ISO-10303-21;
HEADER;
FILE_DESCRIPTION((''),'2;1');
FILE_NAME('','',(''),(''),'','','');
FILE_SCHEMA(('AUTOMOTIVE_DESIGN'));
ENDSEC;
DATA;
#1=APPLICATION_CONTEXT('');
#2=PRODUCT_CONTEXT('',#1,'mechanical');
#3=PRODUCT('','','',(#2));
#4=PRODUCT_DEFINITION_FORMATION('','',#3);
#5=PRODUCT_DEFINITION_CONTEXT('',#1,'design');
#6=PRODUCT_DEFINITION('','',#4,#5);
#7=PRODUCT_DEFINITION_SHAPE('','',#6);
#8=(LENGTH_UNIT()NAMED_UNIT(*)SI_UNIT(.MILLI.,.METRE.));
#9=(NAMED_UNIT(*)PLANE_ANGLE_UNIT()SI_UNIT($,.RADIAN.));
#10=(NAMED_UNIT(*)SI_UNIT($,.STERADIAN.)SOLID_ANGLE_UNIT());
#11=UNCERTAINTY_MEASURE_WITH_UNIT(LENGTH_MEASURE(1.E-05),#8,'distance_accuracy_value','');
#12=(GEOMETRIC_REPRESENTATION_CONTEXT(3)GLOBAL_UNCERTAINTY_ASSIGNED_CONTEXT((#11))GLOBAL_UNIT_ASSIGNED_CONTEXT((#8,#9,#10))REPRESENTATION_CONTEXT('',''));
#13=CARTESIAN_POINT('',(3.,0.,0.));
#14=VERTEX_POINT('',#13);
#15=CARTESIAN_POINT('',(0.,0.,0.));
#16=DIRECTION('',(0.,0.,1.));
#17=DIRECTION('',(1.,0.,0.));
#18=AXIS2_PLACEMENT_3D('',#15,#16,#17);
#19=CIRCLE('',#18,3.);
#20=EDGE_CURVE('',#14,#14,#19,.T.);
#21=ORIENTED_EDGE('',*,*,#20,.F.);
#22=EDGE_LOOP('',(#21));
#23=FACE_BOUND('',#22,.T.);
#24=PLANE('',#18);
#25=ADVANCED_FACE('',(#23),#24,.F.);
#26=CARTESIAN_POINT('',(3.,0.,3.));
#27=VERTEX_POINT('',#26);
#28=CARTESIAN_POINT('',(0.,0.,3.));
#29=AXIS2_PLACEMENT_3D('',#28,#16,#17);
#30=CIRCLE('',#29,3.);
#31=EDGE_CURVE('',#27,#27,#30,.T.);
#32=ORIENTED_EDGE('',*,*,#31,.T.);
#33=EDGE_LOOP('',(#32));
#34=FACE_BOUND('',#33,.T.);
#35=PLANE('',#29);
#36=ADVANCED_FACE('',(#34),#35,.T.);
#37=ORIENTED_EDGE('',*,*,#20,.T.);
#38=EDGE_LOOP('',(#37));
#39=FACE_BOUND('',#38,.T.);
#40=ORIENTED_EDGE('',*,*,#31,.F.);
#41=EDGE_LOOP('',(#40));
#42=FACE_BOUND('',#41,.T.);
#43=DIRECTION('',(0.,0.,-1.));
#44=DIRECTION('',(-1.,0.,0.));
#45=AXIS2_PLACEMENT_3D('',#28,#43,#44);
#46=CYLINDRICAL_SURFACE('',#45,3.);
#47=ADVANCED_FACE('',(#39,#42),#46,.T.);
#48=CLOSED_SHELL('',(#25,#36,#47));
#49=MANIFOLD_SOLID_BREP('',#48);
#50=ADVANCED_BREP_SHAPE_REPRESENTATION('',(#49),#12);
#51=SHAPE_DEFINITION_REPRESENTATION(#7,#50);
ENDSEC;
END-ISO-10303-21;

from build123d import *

# Parameters (mm, degrees)
SKETCH1_R           = 3
BOSS_EXTRUDE1_DEPTH = 3


with BuildPart() as part:
    # Sketch1 → Boss-Extrude1 (new body)
    with BuildSketch(Plane.XY):
        Circle(SKETCH1_R)
    extrude(amount=BOSS_EXTRUDE1_DEPTH)


solid = part.part
